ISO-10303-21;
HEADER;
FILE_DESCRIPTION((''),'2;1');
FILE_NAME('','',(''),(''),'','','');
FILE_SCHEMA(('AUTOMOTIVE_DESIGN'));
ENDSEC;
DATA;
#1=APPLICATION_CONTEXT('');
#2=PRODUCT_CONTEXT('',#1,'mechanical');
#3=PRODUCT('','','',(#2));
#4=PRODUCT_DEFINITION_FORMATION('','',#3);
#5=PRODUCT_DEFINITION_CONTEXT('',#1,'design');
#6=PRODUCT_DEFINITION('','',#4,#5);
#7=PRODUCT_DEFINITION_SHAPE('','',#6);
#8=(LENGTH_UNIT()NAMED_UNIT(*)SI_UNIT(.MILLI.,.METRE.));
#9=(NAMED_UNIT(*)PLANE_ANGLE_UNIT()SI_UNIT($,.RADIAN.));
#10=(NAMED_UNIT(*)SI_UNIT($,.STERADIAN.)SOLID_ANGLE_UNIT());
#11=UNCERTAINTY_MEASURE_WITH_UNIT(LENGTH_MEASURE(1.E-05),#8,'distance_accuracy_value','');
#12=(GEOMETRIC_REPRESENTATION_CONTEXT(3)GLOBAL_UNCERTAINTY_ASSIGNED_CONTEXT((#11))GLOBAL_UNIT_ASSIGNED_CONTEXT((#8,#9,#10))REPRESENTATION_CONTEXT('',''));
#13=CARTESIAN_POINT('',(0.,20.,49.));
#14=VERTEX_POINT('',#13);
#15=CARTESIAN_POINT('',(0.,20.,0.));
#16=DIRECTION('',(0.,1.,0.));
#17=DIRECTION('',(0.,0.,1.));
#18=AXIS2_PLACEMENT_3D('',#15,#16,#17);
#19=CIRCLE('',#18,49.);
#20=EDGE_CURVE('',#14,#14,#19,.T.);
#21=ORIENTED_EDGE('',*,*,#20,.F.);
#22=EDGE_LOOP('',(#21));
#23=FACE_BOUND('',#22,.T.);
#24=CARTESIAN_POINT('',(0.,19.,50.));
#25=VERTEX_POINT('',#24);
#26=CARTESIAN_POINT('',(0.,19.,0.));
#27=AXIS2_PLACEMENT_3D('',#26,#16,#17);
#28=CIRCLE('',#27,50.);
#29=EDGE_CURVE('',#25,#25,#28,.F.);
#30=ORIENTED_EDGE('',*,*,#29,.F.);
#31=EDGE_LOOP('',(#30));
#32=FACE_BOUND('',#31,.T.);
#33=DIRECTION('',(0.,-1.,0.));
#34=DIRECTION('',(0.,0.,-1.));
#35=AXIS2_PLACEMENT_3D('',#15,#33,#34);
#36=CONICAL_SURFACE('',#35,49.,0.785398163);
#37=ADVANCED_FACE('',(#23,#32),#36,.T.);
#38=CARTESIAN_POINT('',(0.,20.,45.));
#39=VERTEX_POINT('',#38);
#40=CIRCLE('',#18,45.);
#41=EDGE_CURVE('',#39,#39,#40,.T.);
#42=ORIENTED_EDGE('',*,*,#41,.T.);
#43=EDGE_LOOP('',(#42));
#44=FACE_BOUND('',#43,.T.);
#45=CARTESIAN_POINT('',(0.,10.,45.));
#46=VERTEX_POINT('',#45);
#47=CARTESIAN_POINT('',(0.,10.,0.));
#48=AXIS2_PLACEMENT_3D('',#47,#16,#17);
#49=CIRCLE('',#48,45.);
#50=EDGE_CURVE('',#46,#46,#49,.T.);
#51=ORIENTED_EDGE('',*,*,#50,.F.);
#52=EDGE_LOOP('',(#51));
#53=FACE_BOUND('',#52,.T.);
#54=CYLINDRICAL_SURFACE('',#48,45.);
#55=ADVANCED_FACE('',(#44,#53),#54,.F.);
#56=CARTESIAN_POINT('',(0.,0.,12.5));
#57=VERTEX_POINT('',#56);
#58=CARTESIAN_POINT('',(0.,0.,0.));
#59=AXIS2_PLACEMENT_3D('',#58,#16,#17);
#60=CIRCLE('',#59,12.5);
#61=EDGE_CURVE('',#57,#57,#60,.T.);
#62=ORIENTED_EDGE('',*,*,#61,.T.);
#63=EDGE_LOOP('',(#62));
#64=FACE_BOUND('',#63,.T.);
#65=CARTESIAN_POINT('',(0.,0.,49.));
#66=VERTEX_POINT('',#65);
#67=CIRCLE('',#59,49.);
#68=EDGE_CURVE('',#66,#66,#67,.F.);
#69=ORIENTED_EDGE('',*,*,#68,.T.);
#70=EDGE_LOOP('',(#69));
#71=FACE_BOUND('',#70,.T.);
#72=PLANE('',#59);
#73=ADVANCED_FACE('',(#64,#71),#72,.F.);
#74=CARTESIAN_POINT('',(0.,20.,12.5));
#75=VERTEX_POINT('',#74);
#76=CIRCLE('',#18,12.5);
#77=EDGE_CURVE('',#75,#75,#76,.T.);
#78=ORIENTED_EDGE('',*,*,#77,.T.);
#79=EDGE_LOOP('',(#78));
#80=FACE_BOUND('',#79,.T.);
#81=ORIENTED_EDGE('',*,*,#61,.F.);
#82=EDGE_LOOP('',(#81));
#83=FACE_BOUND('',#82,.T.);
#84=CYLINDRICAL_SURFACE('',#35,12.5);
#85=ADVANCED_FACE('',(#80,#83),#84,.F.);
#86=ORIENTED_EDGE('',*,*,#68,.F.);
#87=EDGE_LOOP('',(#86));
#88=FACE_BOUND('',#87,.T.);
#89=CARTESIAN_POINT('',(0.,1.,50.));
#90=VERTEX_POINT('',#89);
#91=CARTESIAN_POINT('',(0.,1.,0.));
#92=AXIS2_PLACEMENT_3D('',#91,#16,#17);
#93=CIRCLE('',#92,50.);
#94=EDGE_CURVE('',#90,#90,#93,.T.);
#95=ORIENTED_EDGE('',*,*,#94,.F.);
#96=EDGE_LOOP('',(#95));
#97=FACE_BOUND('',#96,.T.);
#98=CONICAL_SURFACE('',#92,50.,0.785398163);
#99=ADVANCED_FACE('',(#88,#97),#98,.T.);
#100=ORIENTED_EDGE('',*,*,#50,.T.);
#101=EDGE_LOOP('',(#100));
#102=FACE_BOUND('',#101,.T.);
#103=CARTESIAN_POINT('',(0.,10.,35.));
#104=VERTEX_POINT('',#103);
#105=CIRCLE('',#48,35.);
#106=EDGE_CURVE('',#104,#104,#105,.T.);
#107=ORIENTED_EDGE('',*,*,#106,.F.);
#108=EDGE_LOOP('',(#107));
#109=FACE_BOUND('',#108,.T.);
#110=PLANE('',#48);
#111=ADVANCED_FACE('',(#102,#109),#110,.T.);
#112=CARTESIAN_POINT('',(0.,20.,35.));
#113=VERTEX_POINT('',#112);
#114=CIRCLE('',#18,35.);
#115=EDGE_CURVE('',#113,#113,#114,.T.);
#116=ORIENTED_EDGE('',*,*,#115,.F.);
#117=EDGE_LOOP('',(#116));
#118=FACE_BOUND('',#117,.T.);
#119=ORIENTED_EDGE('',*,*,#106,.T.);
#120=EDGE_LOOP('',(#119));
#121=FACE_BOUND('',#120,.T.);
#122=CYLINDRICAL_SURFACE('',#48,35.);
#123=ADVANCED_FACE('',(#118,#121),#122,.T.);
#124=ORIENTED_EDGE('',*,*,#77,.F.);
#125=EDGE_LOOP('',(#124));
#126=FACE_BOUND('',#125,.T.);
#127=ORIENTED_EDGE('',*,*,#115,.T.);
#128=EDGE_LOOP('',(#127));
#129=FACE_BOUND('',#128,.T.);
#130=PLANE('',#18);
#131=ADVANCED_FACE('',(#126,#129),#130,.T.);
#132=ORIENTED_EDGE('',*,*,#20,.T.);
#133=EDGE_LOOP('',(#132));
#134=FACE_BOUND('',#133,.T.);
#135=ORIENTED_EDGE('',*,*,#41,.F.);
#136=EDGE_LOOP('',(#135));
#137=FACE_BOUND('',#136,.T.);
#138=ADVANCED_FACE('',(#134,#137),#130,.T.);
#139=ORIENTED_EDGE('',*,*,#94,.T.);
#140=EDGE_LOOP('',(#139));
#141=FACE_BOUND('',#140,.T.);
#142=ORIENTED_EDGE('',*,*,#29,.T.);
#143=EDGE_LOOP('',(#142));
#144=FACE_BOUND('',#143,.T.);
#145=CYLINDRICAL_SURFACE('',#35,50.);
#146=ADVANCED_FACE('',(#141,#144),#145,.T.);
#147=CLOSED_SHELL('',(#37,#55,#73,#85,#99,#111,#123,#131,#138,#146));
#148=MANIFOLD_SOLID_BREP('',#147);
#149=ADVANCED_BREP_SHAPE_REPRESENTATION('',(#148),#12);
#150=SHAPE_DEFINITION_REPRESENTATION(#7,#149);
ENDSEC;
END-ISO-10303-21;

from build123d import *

# Parameters (mm, degrees)
SKETCH_1_R          = 50
EXTRUDE_1_DEPTH     = 20
SKETCH_2_R          = 45
SKETCH_2_R_2        = 35
CUT_EXTRUDE_1_DEPTH = 10
SKETCH_3_R          = 12.5
CUT_EXTRUDE_2_DEPTH = 74.484692283
CHAMFER_1_SIZE      = 1


with BuildPart() as part:
    # 草图1 → 凸台-拉伸1 (new body)
    with BuildSketch(Plane(origin=(0, 0, 0), x_dir=(1, 0, 0), z_dir=(0, 1, 0))):
        with Locations(Location((0, 0, 0), (0, 0, 270))):
            Circle(SKETCH_1_R)
    extrude(amount=EXTRUDE_1_DEPTH)

    # 草图2 → 切除-拉伸1 (cut)
    with BuildSketch(Plane(origin=(0, 20, 0), x_dir=(1, 0, 0), z_dir=(0, 1, 0))):
        with Locations(Location((0, 0, 0), (0, 0, 270))):
            Circle(SKETCH_2_R)
        with Locations(Location((0, 0, 0), (0, 0, 270))):
            Circle(SKETCH_2_R_2, mode=Mode.SUBTRACT)
    extrude(amount=-CUT_EXTRUDE_1_DEPTH, mode=Mode.SUBTRACT)

    # 草图3 → 切除-拉伸2 (cut, through all)
    with BuildSketch(Plane(origin=(0, 0, 0), x_dir=(1, 0, 0), z_dir=(0, 1, 0))):
        with Locations(Location((0, 0, 0), (0, 0, 270))):
            Circle(SKETCH_3_R)
    extrude(amount=CUT_EXTRUDE_2_DEPTH, mode=Mode.SUBTRACT)

    # 倒角1
    chamfer_1_edges = [part.edges().sort_by_distance(p)[0] for p in [
        (0, 0, -50),
        (0, 20, -50),
    ]]
    chamfer(chamfer_1_edges, length=CHAMFER_1_SIZE)


solid = part.part
